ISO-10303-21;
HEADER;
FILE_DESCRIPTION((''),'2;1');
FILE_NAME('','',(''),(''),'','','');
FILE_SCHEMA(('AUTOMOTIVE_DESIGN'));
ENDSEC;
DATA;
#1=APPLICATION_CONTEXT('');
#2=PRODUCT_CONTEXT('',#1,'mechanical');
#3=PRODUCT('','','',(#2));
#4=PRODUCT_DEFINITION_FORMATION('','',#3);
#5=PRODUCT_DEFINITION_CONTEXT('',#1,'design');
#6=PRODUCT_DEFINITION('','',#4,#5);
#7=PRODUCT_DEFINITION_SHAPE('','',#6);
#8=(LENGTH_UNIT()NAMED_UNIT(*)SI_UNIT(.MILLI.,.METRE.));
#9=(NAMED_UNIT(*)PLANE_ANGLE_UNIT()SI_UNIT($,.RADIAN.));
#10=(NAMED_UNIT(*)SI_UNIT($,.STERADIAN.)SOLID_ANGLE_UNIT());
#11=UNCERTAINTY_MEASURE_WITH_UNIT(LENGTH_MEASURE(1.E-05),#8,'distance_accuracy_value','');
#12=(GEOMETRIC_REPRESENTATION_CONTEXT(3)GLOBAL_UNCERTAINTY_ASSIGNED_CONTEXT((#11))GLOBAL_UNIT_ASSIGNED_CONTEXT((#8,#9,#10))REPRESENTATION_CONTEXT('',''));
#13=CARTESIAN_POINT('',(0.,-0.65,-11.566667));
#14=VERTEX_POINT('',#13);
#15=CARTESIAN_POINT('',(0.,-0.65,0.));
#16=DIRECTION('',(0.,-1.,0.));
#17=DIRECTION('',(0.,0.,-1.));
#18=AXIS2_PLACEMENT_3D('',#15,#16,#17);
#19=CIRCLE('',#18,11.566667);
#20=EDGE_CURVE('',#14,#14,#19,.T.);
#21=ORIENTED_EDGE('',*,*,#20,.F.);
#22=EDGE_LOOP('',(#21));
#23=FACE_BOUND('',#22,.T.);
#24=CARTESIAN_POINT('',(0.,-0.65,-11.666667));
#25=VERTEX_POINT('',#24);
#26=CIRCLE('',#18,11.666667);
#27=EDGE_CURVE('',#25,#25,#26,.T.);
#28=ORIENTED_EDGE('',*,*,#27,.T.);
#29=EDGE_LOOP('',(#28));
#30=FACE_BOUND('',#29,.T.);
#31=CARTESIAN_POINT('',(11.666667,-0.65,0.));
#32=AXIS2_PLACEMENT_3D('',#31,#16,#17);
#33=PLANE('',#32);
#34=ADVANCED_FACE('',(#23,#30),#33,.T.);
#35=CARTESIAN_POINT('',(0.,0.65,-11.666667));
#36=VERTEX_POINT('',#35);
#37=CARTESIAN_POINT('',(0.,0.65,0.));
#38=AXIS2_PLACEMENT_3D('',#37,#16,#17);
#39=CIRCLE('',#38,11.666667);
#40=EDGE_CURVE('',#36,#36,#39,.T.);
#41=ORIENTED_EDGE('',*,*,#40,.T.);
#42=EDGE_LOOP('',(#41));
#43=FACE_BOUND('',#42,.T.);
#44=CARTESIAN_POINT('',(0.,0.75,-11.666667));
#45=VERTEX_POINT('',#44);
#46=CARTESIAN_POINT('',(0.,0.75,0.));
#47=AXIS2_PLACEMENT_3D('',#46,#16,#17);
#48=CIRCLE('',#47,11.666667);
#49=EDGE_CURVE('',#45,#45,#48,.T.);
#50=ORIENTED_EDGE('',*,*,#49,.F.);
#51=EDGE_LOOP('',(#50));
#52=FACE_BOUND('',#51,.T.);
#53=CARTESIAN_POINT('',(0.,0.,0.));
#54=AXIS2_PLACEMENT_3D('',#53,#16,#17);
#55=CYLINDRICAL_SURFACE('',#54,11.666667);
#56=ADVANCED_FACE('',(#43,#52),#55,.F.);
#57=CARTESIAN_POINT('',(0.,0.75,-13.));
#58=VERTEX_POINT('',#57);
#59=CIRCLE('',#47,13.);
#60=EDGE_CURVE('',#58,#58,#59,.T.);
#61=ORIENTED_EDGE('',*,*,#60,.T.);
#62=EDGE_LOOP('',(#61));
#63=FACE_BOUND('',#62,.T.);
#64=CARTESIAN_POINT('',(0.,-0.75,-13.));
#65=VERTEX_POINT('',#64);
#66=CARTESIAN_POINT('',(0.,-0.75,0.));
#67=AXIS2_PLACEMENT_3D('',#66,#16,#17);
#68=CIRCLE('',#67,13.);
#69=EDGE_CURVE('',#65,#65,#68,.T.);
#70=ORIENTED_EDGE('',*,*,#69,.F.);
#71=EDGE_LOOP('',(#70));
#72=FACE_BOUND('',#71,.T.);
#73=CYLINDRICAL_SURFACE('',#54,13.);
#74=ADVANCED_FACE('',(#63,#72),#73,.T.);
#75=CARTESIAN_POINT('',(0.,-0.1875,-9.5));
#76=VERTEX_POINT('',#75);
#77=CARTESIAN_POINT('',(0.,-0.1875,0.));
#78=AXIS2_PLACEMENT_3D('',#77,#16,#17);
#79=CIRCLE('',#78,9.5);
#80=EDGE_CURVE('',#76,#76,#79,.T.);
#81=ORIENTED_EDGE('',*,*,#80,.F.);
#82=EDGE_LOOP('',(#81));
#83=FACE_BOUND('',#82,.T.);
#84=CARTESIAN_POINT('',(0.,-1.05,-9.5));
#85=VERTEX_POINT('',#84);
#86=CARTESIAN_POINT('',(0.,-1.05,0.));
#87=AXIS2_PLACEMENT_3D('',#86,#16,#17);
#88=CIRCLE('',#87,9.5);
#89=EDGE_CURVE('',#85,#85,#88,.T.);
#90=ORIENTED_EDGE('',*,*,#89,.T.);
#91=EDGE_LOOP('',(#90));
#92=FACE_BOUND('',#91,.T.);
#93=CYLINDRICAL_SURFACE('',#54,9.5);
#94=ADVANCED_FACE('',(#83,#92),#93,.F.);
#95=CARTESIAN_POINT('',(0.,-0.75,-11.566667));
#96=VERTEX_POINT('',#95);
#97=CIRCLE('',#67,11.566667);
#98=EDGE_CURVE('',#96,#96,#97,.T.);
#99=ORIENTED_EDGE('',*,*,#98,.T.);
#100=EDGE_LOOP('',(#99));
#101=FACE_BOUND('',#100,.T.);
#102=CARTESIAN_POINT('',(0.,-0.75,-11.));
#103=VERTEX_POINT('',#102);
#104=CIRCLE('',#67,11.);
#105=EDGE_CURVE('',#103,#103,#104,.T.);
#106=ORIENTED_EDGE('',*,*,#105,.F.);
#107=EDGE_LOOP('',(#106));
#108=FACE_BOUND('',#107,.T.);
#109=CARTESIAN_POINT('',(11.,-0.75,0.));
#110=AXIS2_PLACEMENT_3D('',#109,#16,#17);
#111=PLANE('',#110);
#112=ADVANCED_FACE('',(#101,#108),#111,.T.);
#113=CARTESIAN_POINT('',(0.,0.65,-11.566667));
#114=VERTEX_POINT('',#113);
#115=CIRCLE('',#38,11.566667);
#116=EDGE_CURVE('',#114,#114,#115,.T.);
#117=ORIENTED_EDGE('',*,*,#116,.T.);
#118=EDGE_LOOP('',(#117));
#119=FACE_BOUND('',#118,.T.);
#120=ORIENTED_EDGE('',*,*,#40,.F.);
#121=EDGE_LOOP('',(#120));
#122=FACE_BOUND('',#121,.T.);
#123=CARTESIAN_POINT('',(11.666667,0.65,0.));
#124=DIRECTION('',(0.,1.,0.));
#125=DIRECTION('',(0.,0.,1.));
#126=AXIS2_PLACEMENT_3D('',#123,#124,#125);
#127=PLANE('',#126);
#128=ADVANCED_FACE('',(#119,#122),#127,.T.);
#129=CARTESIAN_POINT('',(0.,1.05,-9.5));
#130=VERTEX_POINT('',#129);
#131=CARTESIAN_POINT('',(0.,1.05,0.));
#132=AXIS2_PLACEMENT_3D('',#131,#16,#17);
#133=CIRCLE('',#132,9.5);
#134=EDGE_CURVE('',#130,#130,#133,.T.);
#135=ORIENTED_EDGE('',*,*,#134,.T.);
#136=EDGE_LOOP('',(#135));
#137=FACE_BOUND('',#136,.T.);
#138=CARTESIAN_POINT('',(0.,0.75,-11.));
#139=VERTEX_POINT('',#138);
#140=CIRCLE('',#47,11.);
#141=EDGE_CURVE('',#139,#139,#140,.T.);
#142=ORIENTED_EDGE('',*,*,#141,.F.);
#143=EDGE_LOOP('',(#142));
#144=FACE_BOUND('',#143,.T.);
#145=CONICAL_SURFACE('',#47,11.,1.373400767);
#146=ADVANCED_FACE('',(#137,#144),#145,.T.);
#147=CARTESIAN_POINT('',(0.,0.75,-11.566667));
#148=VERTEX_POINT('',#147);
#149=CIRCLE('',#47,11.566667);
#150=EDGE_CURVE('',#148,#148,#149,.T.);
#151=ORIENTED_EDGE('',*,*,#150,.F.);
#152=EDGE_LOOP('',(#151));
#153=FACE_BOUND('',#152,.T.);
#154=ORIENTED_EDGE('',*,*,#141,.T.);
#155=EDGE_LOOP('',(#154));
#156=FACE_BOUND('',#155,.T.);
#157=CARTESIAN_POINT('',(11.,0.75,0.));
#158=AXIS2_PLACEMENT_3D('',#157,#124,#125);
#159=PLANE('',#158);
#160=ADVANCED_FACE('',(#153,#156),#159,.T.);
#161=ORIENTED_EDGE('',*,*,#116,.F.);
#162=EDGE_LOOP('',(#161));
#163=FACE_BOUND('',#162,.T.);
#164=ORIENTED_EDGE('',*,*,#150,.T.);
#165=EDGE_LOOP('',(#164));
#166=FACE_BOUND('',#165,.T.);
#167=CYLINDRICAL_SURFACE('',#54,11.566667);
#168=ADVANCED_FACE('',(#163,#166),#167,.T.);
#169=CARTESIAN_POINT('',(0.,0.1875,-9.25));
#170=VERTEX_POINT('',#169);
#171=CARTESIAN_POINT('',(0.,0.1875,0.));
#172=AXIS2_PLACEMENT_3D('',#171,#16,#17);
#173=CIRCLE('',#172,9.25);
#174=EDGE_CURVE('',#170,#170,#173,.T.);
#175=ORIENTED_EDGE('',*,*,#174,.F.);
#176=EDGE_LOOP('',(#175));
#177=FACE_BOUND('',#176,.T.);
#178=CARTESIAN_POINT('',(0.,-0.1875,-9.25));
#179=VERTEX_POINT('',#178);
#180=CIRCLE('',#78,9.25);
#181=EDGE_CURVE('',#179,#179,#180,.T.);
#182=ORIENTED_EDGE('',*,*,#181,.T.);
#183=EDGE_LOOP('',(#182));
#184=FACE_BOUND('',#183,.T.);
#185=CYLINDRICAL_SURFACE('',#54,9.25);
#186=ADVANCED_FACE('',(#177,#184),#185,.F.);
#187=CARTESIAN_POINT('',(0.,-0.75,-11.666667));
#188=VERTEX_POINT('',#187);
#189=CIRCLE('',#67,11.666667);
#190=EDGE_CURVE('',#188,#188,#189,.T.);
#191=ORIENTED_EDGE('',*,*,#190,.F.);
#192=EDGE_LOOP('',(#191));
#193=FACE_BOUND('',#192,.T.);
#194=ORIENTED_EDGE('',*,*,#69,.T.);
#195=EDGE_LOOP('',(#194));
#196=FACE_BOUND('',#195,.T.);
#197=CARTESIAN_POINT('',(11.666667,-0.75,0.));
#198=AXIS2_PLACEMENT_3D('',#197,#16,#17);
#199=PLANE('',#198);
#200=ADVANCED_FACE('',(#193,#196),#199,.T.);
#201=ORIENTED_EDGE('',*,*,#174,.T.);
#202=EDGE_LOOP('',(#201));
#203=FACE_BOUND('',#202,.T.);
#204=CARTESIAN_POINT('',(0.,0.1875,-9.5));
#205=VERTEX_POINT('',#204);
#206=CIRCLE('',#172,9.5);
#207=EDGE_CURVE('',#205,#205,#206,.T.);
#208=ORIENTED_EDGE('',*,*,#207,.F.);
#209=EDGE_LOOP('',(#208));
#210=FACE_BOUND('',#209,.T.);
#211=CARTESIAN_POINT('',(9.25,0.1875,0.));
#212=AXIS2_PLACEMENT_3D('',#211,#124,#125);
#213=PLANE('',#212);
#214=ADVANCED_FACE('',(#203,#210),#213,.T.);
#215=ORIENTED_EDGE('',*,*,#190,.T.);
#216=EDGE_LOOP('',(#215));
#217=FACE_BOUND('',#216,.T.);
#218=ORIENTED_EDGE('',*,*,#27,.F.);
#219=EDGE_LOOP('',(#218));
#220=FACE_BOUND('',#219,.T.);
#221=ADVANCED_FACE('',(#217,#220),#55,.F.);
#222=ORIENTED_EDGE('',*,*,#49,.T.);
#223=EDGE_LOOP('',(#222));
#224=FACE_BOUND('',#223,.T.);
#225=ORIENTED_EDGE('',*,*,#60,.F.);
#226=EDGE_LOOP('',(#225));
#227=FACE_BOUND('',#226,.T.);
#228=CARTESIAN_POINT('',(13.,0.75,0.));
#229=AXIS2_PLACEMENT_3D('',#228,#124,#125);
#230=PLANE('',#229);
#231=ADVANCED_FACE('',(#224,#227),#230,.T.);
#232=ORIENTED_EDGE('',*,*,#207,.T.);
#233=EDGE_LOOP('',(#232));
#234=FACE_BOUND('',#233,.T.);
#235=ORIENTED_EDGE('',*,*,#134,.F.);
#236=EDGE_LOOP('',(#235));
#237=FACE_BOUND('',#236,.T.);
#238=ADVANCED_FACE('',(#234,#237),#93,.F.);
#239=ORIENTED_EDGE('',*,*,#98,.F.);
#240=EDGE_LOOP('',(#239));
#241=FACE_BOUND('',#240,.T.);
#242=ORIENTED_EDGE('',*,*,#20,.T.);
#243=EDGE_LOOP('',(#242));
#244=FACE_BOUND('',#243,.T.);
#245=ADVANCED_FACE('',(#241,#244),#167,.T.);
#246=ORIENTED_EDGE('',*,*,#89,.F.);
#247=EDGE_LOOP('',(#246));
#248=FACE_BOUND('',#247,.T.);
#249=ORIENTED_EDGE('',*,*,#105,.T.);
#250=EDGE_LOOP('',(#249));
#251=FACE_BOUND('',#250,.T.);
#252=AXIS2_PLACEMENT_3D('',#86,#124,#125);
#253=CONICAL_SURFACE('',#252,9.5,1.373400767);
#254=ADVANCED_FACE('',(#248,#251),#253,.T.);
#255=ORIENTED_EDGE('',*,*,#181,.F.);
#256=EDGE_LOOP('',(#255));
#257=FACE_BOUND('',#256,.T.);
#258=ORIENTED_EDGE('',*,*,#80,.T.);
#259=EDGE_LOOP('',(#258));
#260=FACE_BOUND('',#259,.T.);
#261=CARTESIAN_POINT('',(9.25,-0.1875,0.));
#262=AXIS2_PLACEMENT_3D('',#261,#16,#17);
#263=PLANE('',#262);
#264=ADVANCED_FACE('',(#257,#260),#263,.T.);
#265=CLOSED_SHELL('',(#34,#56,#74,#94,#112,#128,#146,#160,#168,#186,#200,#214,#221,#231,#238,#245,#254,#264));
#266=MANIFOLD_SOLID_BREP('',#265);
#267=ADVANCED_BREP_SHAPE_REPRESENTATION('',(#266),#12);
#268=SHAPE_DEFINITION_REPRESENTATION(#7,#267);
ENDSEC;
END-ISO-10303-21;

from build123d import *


with BuildPart() as part:
    # Sketch1 → Revolve1 (revolve)
    with BuildSketch(Plane.XY, mode=Mode.PRIVATE) as revolve1_sk:
        Polygon((9.25, -0.1875), (9.25, 0.1875), (9.5, 0.1875), (9.5, 1.05), (11, 0.75), (11.566666667, 0.75), (11.566666667, 0.65), (11.666666667, 0.65), (11.666666667, 0.75), (13, 0.75), (13, -0.75), (11.666666667, -0.75), (11.666666667, -0.65), (11.566666667, -0.65), (11.566666667, -0.75), (11, -0.75), (9.5, -1.05), (9.5, -0.1875), align=None)
    revolve(revolve1_sk.sketch.rotate(Axis((0, 0, 0), (0, 1, 0)), 90), axis=Axis((0, 0, 0), (0, 1, 0)))


solid = part.part
